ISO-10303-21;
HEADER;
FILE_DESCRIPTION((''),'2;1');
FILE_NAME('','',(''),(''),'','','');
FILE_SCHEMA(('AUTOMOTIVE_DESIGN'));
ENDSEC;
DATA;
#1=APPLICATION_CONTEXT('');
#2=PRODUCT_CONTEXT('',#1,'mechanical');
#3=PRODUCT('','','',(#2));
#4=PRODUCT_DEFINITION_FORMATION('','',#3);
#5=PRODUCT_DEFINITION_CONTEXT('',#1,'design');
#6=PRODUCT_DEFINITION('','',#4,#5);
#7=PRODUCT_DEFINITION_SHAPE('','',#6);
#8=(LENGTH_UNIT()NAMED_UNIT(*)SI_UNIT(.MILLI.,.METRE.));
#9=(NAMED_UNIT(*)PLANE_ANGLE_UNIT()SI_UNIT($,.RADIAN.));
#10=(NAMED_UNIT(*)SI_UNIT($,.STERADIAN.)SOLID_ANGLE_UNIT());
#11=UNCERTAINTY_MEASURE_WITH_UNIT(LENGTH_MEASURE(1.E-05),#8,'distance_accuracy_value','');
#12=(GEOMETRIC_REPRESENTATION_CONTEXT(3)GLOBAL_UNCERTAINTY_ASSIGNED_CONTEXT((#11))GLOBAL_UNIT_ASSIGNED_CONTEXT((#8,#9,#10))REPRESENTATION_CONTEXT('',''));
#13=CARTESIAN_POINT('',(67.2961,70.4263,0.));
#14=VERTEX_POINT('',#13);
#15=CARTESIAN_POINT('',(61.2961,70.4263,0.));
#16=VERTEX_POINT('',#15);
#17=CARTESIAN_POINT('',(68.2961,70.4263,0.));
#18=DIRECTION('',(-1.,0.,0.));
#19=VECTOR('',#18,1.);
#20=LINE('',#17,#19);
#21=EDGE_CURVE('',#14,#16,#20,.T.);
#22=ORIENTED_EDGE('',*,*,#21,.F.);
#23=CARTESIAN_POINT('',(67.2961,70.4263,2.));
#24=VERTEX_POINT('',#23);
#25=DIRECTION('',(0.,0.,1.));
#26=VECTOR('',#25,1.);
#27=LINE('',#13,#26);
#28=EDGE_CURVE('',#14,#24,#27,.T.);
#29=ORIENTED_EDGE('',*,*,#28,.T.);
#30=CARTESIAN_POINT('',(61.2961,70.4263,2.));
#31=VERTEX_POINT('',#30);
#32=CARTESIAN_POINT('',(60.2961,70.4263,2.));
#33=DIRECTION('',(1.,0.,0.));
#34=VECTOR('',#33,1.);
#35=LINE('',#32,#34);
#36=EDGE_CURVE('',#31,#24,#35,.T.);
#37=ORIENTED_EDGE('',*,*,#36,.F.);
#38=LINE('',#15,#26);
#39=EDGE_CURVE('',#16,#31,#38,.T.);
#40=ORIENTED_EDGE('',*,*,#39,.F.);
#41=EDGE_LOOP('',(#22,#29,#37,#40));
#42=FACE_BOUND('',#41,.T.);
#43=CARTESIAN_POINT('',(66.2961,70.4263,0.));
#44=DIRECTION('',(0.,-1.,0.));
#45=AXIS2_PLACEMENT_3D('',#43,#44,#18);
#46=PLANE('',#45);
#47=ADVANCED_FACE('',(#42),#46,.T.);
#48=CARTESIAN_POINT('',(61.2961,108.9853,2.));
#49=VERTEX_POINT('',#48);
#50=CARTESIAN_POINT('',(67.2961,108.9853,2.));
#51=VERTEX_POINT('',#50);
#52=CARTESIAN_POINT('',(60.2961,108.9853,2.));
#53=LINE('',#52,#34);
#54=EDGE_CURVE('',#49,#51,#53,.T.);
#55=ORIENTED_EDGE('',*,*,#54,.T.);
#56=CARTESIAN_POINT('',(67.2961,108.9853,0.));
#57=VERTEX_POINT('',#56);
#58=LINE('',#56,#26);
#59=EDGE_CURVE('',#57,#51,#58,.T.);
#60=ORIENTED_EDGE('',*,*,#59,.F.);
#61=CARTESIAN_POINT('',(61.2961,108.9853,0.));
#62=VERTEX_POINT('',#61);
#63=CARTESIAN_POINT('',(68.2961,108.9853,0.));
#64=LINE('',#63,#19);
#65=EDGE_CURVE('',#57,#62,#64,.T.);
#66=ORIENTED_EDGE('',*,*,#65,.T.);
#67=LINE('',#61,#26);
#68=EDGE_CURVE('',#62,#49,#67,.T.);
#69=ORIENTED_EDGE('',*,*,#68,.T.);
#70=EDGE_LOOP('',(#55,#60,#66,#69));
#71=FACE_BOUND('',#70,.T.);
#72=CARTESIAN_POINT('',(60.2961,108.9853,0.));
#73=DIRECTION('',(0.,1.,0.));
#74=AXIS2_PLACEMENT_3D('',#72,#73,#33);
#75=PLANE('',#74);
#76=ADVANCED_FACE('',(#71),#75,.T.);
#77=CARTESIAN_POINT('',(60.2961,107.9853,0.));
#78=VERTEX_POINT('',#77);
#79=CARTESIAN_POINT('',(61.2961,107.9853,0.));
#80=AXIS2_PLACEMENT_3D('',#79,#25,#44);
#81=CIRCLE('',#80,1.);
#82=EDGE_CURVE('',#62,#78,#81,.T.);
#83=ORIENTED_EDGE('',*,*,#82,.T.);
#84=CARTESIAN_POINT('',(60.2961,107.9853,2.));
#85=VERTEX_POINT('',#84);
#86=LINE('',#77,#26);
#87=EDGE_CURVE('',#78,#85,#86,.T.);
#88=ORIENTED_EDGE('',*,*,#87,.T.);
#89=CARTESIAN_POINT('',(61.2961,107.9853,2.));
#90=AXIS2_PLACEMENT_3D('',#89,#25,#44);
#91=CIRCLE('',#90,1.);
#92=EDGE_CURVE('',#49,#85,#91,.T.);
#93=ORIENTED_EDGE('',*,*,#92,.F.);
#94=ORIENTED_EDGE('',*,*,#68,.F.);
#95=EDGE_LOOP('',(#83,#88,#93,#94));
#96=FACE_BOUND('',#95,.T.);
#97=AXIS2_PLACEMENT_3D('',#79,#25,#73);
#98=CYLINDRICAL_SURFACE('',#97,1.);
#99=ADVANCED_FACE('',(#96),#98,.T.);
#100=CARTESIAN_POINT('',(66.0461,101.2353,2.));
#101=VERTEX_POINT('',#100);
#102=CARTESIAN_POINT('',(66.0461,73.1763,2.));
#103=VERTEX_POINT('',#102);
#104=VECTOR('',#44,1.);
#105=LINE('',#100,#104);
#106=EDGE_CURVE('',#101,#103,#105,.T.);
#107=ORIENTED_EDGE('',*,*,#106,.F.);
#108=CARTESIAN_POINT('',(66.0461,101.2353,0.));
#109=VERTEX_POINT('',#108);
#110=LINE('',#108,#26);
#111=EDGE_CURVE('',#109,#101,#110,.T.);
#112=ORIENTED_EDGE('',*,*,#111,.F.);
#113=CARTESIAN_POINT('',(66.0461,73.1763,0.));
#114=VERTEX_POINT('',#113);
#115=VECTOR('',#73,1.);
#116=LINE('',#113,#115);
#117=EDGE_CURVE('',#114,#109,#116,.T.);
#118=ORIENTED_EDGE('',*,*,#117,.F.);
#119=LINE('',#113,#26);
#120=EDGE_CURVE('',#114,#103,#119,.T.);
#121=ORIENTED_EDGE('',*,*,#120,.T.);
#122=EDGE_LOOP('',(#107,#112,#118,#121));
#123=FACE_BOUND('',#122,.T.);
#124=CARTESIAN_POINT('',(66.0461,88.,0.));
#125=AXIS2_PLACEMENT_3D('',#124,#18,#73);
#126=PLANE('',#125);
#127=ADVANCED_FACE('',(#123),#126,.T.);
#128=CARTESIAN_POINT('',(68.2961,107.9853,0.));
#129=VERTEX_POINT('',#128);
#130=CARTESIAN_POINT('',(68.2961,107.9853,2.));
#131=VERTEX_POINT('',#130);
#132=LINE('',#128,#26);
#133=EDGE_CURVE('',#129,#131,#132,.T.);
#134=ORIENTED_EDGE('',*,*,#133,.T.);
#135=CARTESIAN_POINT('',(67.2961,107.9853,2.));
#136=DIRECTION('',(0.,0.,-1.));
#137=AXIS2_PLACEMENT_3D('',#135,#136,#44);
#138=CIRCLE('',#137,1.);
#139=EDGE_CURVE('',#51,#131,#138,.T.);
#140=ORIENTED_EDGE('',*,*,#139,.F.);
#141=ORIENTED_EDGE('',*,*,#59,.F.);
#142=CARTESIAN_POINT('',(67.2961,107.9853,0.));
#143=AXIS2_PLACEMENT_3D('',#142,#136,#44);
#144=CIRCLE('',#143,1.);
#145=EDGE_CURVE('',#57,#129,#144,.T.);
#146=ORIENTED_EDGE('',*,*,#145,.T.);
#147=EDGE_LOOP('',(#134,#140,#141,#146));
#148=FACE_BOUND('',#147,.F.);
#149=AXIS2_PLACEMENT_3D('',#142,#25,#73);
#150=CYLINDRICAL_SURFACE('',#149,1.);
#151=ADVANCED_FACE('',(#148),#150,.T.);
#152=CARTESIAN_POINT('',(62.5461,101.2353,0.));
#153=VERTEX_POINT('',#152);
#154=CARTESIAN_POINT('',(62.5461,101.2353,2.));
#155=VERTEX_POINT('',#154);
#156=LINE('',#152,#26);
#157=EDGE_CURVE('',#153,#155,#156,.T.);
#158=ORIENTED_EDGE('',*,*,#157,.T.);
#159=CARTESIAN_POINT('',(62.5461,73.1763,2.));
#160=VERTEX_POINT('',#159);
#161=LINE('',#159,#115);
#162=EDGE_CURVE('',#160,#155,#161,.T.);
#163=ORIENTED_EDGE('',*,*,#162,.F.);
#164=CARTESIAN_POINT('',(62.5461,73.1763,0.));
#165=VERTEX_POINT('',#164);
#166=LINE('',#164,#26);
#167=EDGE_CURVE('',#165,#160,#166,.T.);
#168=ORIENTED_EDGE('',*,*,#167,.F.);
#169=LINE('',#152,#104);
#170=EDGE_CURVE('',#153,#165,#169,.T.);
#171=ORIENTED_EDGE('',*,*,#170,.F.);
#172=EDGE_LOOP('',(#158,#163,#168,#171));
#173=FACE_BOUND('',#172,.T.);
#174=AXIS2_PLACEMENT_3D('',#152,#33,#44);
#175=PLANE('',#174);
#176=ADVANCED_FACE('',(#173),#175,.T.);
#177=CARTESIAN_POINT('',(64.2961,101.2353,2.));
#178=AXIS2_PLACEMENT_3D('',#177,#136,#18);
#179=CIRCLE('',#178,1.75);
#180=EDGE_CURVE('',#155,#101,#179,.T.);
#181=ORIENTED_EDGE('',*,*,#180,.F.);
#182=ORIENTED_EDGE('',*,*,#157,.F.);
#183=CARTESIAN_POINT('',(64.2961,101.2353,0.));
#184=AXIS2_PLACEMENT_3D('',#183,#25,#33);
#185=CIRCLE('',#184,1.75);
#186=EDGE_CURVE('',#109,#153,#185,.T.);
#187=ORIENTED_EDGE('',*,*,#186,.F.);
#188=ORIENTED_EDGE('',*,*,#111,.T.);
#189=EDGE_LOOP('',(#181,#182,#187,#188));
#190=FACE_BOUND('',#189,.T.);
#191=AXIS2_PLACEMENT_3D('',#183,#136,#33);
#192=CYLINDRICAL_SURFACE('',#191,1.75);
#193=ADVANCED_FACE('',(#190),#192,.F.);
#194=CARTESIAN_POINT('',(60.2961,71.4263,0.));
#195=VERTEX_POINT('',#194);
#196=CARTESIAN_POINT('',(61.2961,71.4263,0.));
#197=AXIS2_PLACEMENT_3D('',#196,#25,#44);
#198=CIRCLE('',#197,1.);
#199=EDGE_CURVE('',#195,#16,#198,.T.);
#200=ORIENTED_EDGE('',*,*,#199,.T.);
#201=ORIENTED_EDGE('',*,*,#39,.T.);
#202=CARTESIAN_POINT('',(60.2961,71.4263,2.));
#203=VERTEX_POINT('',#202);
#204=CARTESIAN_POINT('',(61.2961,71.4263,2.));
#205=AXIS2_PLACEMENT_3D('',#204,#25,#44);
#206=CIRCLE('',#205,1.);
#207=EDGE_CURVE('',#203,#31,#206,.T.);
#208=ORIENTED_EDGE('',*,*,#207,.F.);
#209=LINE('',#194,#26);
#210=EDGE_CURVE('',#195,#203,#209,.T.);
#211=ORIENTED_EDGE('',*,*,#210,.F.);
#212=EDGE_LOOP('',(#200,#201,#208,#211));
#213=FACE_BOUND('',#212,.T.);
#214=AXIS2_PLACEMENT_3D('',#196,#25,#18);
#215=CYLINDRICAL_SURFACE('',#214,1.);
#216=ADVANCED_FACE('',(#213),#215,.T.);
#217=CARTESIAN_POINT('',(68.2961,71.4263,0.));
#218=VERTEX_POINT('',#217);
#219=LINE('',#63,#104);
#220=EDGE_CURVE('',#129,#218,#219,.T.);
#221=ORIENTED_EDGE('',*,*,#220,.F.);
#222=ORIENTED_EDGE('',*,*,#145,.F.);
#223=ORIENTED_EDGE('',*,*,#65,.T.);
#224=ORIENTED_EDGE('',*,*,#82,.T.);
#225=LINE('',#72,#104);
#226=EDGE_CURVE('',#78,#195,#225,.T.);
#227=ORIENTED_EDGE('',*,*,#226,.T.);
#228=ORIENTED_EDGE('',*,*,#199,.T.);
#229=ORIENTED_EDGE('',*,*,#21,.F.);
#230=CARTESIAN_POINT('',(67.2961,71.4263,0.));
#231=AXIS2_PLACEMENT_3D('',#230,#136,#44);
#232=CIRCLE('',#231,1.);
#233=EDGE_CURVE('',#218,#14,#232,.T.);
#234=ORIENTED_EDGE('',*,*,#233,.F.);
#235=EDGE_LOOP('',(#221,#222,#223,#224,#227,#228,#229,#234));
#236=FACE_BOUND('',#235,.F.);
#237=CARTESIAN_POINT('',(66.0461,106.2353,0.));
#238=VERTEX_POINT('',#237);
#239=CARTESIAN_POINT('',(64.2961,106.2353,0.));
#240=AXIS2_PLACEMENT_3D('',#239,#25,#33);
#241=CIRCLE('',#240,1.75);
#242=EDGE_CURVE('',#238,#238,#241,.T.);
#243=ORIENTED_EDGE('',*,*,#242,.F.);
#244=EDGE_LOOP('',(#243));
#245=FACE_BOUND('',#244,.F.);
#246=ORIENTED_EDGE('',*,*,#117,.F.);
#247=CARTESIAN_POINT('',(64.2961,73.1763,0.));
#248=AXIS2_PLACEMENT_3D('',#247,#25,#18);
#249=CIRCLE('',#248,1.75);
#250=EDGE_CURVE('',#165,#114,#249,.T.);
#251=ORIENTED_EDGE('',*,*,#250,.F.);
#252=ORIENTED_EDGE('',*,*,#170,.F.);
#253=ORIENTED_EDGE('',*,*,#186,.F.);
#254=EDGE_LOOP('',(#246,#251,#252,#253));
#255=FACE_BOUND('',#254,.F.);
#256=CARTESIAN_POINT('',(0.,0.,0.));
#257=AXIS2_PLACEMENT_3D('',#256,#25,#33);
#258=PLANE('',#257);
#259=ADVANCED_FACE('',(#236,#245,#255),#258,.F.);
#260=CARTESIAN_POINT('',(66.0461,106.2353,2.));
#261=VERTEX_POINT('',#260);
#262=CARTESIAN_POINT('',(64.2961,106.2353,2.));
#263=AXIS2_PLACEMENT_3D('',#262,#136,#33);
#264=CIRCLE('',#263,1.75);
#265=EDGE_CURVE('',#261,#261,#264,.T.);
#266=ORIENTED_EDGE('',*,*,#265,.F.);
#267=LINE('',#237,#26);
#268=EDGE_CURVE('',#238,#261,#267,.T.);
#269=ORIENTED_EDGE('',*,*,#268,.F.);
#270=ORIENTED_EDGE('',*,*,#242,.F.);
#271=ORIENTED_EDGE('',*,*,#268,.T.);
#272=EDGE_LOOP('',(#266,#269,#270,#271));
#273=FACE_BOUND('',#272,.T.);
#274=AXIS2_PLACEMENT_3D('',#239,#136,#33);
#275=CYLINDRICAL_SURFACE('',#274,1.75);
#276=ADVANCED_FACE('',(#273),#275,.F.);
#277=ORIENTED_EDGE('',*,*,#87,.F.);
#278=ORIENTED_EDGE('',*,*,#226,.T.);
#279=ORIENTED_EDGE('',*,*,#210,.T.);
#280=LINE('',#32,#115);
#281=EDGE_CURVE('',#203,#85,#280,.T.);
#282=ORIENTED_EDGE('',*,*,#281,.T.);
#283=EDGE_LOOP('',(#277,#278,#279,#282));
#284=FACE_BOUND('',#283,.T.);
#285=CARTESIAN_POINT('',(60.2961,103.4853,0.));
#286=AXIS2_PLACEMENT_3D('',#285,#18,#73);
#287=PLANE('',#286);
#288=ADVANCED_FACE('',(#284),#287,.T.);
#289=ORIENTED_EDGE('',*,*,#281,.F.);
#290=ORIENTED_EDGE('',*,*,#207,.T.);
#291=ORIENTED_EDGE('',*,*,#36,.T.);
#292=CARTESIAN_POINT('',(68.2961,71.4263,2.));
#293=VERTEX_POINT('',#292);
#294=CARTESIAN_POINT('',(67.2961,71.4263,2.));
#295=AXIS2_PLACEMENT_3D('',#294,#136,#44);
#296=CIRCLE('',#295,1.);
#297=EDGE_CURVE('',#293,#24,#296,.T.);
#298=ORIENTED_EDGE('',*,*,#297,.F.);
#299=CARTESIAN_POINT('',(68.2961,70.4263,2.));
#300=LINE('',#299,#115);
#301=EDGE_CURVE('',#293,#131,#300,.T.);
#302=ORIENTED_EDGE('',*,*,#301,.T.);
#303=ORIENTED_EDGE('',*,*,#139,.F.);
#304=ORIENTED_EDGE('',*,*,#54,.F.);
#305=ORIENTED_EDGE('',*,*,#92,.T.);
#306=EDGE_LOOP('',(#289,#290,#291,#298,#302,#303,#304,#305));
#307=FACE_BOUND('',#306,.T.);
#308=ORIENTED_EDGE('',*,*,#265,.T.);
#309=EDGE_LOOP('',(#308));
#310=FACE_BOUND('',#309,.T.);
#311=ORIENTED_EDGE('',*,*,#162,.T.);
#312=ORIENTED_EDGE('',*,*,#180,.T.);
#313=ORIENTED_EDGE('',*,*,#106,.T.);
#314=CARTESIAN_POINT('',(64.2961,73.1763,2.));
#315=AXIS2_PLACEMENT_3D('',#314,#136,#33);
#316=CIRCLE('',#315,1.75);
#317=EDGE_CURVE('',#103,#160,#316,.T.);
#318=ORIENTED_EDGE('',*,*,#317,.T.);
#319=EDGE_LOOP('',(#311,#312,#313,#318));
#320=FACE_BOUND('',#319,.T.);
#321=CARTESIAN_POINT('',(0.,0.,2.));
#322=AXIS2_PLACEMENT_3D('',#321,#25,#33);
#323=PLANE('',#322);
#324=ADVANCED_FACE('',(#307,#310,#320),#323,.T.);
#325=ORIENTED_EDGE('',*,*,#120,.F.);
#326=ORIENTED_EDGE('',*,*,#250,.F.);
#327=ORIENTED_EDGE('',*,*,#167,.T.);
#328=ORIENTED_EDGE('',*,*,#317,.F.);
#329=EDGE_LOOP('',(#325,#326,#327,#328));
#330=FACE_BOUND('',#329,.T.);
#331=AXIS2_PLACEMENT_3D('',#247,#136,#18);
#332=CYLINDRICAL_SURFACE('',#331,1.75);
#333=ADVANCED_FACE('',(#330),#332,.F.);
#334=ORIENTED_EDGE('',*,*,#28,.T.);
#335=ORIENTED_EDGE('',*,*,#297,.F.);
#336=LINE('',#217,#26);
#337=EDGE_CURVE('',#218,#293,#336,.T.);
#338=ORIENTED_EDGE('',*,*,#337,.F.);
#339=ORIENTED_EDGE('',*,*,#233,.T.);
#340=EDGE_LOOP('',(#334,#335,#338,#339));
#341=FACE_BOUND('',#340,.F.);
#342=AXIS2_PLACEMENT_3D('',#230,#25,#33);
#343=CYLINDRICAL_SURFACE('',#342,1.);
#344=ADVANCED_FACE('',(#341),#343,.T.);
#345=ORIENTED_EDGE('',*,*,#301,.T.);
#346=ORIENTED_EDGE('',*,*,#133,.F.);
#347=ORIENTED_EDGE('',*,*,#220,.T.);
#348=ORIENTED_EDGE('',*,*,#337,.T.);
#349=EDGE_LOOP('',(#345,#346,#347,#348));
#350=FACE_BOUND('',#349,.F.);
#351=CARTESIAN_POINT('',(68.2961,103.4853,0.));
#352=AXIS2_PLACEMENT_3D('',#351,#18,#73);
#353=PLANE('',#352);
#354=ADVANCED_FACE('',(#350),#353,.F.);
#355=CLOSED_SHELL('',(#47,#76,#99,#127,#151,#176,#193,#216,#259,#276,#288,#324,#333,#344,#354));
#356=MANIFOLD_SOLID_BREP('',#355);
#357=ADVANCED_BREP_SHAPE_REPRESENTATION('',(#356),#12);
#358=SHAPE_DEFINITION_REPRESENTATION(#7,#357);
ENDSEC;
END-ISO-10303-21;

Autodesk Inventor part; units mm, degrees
ref_plane "YZ Plane" through (0, 0, 0) normal (1, 0, 0) x (0, 1, 0)
ref_plane "XZ Plane" through (0, 0, 0) normal (0, 1, 0) x (-1, 0, 0)
ref_plane "XY Plane" through (0, 0, 0) normal (0, 0, 1) x (1, 0, 0)
sketch "Sketch1" plane through (0, 0, 0) normal (0, 0, 1) x (1, 0, 0)
  line L0 (35.2961, 108.9853) -> (93.2961, 108.9853)
  line L1 (35.2961, 103.4853) -> (35.2961, 108.9853)
  line L2 (93.2961, 103.4853) -> (35.2961, 103.4853)
  line L3 (93.2961, 108.9853) -> (93.2961, 103.4853)
  line L4 (2, 88) -> (126.0922, 88)
  line L5 (2, 80) -> (2, 88)
  line L6 (2, 80) -> (126.0922, 80)
  line L7 (126.0922, 80) -> (126.0922, 88)
  line L8 (11.7071, 1) -> (2, 1)
  line L9 (11.7071, 80) -> (11.7071, 1)
  line L10 (2, 80) -> (11.7071, 80)
  line L11 (2, 1) -> (2, 80)
  line L12 (126.0922, 80) -> (126.0922, 1)
  line L13 (126.0922, 1) -> (116.3851, 1)
  line L14 (126.0922, 80) -> (126.0922, 1)
  line L15 (116.3851, 80) -> (126.0922, 80)
  line L16 (116.3851, 1) -> (116.3851, 80)
  line L17 (102.7961, 70.9853) -> (96.2961, 70.9853)
  line L18 (102.7961, 108.9853) -> (102.7961, 70.9853)
  line L19 (95.2961, 108.9853) -> (102.7961, 108.9853)
  line L20 (95.2961, 103.4853) -> (95.2961, 108.9853)
  line L21 (96.2961, 103.4853) -> (95.2961, 103.4853)
  line L22 (96.2961, 103.4853) -> (96.2961, 70.9853)
  line L23 (32.2961, 70.9853) -> (25.7961, 70.9853)
  line L24 (32.2961, 103.4853) -> (32.2961, 70.9853)
  line L25 (33.2961, 103.4853) -> (32.2961, 103.4853)
  line L26 (33.2961, 108.9853) -> (33.2961, 103.4853)
  line L27 (25.7961, 108.9853) -> (33.2961, 108.9853)
  line L28 (25.7961, 70.9853) -> (25.7961, 108.9853)
  line L29 (64.2961, 108.9853) -> (64.2961, 70.9853)
  line L30 (64.2961, 108.9853) -> (68.2961, 108.9853)
  line L31 (68.2961, 108.9853) -> (60.2961, 108.9853)
  line L32 (60.2961, 108.9853) -> (66.2961, 108.9853)
  line L33 (66.2961, 70.4263) -> (60.2961, 70.4263)
  line L34 (60.2961, 70.4263) -> (60.2961, 108.9853)
  circle A0 centre (64.2961, 106.2353) radius 1.75
  line L35 (68.2961, 108.9853) -> (60.2961, 108.9853)
  line L36 (60.2961, 108.9853) -> (60.2961, 70.4263)
  line L37 (60.2961, 70.4263) -> (68.2961, 70.4263)
  line L38 (68.2961, 70.4263) -> (68.2961, 108.9853)
  line L39 (64.2961, 106.2353) -> (64.2961, 101.2353)
  line L40 (68.2961, 89.7058) -> (76.3965, 89.7058)
  arc A1 (62.5461, 73.1763) -> (66.0461, 73.1763) centre (64.2961, 73.1763) ccw
  line L41 (62.7961, 101.2353) -> (65.7961, 101.2353)
  circle A2 centre (64.2961, 106.2353) radius 1.6
  circle A3 centre (64.2961, 101.2353) radius 1.75
  line L42 (62.5461, 73.1763) -> (66.0461, 73.1763)
  line L43 (66.0461, 73.1763) -> (66.0461, 101.2353)
  line L44 (66.0461, 101.2353) -> (62.5461, 101.2353)
  line L45 (62.5461, 101.2353) -> (62.5461, 73.1763)
  circle A4 centre (64.2961, 84) radius 1.6
  point P0 (0, 0)
extrude "Extrusion1" add sketch "Sketch1" along normal blind 2 contours L0 L29 A0 L2 L34 | L0 L38 L2 L29 A0 | L2 L29 A3 L45 L4 L34 | L2 L38 L4 L43 A3 L29 | L4 L45 L6 L34 | L6 L45 A1 L43 L38 L37 L33 L34 | L38 L6 L43 L4
fillet "Fillet1" radius 1 4 edges at (60.2961, 108.9853, 1) (68.2961, 108.9853, 1) (60.2961, 70.4263, 1) (68.2961, 70.4263, 1)
properties part number "ButtonLockerV2"
